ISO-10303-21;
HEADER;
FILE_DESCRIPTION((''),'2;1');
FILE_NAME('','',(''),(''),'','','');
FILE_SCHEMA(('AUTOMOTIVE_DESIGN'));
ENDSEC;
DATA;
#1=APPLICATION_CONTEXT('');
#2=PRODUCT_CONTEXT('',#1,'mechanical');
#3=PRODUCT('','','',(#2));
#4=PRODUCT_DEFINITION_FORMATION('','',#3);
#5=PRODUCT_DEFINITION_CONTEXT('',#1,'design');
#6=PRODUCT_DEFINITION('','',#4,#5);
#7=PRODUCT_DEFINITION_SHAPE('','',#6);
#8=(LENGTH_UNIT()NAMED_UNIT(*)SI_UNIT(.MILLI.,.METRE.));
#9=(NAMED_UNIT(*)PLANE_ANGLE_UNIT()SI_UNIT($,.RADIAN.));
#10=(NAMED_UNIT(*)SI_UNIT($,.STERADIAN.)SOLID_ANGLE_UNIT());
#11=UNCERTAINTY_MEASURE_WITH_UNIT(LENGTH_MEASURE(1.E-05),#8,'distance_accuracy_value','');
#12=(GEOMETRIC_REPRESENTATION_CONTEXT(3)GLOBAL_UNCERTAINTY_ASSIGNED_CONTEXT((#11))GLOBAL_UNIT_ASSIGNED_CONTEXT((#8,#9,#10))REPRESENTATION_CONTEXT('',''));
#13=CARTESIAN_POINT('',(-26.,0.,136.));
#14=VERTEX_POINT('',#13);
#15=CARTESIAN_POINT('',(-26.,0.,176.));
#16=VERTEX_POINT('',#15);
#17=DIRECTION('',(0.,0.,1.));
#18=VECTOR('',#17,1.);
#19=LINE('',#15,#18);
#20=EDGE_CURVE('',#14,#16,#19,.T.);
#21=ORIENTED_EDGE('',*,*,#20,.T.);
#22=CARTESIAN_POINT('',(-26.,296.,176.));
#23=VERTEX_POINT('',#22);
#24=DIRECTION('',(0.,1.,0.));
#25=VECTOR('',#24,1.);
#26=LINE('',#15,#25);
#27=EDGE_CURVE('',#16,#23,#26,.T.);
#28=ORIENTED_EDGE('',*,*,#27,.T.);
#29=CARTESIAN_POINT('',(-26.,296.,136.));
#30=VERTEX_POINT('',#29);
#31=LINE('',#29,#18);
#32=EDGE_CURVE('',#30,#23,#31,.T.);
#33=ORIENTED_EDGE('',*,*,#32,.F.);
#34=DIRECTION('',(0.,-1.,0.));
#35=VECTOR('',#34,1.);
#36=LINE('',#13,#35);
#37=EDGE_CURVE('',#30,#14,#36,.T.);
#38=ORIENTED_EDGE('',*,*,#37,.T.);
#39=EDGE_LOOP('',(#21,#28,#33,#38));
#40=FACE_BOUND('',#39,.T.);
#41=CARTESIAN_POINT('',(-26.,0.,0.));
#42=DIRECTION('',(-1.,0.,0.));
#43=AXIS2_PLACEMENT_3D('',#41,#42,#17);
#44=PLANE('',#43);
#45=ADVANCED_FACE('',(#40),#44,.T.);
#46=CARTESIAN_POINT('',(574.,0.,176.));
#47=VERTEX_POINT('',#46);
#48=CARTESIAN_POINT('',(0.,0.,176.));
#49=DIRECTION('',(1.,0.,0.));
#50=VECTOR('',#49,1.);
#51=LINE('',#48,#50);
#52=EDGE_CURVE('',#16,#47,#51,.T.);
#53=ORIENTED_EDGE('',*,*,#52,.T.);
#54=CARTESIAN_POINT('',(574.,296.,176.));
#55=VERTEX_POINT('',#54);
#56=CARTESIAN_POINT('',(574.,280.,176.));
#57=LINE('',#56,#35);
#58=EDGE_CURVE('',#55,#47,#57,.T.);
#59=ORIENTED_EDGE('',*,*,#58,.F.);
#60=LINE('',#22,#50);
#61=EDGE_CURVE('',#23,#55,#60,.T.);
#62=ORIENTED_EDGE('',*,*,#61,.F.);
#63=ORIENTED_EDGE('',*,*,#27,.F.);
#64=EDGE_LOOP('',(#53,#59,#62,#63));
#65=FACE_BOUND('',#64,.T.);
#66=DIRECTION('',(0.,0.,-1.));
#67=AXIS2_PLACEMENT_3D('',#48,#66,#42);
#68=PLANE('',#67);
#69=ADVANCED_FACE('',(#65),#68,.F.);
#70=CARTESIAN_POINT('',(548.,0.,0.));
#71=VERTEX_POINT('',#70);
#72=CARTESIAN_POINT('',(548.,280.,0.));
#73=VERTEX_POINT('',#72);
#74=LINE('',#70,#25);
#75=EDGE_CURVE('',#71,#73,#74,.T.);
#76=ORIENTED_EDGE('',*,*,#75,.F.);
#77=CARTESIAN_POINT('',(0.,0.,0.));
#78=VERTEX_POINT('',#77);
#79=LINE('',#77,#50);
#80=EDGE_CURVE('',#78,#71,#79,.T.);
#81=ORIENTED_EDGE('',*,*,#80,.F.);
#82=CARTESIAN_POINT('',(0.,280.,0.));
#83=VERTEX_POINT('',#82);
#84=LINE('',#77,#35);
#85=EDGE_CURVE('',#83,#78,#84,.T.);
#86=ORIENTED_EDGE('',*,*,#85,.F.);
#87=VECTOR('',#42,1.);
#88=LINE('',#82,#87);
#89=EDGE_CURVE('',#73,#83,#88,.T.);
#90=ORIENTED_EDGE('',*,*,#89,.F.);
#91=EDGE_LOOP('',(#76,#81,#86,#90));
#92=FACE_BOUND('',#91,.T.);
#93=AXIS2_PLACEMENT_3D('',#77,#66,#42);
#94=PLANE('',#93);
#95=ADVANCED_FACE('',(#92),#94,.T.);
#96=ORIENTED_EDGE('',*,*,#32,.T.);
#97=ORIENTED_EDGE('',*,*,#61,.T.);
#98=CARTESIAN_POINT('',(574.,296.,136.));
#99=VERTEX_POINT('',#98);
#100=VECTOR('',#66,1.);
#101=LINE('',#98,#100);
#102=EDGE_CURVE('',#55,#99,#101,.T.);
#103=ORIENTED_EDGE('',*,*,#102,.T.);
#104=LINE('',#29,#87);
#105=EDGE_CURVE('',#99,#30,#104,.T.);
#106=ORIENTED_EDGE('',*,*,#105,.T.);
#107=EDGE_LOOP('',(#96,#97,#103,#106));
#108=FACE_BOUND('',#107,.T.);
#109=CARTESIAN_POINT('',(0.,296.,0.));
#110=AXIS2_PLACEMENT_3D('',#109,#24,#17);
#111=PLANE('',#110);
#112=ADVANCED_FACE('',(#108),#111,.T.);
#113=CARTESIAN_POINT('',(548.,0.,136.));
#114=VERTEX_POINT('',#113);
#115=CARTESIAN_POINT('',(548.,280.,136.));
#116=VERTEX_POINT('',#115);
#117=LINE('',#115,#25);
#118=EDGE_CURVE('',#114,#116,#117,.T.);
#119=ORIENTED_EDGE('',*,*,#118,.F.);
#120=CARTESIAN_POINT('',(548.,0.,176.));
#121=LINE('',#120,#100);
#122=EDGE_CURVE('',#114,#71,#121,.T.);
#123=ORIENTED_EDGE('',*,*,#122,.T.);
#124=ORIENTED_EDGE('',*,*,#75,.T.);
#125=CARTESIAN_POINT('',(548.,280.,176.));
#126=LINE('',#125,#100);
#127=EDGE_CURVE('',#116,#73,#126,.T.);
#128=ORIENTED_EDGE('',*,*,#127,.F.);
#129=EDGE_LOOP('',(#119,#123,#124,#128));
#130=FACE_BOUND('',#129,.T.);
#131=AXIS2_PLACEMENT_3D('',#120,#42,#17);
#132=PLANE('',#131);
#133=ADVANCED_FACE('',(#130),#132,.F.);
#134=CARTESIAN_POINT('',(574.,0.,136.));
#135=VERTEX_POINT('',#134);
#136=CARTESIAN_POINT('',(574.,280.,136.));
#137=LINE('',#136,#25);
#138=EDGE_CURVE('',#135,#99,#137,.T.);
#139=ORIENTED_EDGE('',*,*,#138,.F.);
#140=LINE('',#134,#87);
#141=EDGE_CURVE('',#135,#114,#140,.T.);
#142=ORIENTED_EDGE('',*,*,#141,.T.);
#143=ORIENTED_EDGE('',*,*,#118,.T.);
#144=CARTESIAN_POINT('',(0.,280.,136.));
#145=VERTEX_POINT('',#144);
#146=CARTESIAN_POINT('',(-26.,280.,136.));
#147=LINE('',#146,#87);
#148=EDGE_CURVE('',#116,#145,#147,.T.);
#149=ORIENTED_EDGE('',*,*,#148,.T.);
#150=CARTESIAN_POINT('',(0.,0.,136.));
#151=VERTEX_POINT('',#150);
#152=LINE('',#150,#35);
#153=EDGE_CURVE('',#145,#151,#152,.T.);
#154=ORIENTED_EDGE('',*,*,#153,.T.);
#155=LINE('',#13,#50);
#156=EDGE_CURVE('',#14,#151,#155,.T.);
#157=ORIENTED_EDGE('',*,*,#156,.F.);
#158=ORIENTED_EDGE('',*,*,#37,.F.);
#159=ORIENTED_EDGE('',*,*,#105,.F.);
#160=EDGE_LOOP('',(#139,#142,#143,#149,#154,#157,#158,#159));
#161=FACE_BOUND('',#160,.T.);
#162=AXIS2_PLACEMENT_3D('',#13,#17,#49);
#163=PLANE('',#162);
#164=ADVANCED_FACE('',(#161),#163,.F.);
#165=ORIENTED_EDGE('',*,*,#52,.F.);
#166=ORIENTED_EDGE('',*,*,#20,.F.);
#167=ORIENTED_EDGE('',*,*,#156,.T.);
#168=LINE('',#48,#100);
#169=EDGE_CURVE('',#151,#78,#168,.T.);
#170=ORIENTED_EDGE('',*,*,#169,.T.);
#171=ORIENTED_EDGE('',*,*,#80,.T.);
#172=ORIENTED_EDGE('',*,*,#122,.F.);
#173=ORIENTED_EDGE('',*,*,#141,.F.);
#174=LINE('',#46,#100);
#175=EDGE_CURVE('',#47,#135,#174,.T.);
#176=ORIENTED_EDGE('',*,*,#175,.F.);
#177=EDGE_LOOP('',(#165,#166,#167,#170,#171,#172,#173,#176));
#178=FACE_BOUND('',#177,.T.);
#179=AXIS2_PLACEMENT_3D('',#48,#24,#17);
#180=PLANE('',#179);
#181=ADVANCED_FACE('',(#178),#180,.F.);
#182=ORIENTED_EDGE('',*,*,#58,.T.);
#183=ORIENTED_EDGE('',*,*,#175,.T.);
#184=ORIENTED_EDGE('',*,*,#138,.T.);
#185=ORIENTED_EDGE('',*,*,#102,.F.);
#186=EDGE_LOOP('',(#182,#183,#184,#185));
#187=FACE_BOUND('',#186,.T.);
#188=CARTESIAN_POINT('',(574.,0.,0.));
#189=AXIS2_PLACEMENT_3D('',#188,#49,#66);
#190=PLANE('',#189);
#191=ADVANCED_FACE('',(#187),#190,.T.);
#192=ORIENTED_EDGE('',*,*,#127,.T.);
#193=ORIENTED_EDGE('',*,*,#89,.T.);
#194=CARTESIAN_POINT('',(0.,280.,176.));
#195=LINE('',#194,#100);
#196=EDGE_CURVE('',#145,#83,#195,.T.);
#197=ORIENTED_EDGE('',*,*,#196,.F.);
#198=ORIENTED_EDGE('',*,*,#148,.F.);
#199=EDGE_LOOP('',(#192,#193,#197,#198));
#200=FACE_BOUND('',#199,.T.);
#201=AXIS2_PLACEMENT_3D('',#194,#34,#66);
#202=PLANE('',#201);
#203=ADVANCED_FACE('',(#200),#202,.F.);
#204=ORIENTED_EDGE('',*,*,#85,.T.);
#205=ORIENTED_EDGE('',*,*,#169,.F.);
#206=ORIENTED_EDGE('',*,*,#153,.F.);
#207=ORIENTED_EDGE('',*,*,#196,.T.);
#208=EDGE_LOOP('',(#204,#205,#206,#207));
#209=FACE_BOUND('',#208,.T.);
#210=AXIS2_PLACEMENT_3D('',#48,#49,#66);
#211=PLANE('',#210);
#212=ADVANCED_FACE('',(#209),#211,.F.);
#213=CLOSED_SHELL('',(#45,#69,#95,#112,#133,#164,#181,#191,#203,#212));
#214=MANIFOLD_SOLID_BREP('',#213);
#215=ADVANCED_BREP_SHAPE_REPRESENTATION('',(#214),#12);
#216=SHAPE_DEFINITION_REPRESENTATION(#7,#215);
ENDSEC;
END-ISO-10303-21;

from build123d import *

# Parameters (mm, degrees)
ESBO_O1_W                = 548
ESBO_O1_H                = 280
RESSALTO_EXTRUS_O1_DEPTH = 176
ESBO_O2_W                = 40
ESBO_O2_H                = 280
RESSALTO_EXTRUS_O2_DEPTH = 26
ESBO_O3_W                = 40
ESBO_O3_H                = 280
RESSALTO_EXTRUS_O3_DEPTH = 26
ESBO_O4_W                = 600
ESBO_O4_H                = 40
RESSALTO_EXTRUS_O4_DEPTH = 16


with BuildPart() as part:
    # Esboço1 → Ressalto-extrusão1 (new body)
    with BuildSketch(Plane.XY):
        with Locations((274, 140)):
            Rectangle(ESBO_O1_W, ESBO_O1_H)
    extrude(amount=RESSALTO_EXTRUS_O1_DEPTH)

    # Esboço2 → Ressalto-extrusão2 (add)
    with BuildSketch(Plane.ZY):
        with Locations((156, 140)):
            Rectangle(ESBO_O2_W, ESBO_O2_H)
    extrude(amount=RESSALTO_EXTRUS_O2_DEPTH)

    # Esboço3 → Ressalto-extrusão3 (add)
    with BuildSketch(Plane(origin=(548, 0, 0), x_dir=(0, 0, -1), z_dir=(1, 0, 0))):
        with Locations((-156, 140)):
            Rectangle(ESBO_O3_W, ESBO_O3_H)
    extrude(amount=RESSALTO_EXTRUS_O3_DEPTH)

    # Esboço4 → Ressalto-extrusão4 (add)
    with BuildSketch(Plane(origin=(0, 280, 0), x_dir=(1, 0, 0), z_dir=(0, 1, 0))):
        with Locations((274, -156)):
            Rectangle(ESBO_O4_W, ESBO_O4_H)
    extrude(amount=RESSALTO_EXTRUS_O4_DEPTH)


solid = part.part
